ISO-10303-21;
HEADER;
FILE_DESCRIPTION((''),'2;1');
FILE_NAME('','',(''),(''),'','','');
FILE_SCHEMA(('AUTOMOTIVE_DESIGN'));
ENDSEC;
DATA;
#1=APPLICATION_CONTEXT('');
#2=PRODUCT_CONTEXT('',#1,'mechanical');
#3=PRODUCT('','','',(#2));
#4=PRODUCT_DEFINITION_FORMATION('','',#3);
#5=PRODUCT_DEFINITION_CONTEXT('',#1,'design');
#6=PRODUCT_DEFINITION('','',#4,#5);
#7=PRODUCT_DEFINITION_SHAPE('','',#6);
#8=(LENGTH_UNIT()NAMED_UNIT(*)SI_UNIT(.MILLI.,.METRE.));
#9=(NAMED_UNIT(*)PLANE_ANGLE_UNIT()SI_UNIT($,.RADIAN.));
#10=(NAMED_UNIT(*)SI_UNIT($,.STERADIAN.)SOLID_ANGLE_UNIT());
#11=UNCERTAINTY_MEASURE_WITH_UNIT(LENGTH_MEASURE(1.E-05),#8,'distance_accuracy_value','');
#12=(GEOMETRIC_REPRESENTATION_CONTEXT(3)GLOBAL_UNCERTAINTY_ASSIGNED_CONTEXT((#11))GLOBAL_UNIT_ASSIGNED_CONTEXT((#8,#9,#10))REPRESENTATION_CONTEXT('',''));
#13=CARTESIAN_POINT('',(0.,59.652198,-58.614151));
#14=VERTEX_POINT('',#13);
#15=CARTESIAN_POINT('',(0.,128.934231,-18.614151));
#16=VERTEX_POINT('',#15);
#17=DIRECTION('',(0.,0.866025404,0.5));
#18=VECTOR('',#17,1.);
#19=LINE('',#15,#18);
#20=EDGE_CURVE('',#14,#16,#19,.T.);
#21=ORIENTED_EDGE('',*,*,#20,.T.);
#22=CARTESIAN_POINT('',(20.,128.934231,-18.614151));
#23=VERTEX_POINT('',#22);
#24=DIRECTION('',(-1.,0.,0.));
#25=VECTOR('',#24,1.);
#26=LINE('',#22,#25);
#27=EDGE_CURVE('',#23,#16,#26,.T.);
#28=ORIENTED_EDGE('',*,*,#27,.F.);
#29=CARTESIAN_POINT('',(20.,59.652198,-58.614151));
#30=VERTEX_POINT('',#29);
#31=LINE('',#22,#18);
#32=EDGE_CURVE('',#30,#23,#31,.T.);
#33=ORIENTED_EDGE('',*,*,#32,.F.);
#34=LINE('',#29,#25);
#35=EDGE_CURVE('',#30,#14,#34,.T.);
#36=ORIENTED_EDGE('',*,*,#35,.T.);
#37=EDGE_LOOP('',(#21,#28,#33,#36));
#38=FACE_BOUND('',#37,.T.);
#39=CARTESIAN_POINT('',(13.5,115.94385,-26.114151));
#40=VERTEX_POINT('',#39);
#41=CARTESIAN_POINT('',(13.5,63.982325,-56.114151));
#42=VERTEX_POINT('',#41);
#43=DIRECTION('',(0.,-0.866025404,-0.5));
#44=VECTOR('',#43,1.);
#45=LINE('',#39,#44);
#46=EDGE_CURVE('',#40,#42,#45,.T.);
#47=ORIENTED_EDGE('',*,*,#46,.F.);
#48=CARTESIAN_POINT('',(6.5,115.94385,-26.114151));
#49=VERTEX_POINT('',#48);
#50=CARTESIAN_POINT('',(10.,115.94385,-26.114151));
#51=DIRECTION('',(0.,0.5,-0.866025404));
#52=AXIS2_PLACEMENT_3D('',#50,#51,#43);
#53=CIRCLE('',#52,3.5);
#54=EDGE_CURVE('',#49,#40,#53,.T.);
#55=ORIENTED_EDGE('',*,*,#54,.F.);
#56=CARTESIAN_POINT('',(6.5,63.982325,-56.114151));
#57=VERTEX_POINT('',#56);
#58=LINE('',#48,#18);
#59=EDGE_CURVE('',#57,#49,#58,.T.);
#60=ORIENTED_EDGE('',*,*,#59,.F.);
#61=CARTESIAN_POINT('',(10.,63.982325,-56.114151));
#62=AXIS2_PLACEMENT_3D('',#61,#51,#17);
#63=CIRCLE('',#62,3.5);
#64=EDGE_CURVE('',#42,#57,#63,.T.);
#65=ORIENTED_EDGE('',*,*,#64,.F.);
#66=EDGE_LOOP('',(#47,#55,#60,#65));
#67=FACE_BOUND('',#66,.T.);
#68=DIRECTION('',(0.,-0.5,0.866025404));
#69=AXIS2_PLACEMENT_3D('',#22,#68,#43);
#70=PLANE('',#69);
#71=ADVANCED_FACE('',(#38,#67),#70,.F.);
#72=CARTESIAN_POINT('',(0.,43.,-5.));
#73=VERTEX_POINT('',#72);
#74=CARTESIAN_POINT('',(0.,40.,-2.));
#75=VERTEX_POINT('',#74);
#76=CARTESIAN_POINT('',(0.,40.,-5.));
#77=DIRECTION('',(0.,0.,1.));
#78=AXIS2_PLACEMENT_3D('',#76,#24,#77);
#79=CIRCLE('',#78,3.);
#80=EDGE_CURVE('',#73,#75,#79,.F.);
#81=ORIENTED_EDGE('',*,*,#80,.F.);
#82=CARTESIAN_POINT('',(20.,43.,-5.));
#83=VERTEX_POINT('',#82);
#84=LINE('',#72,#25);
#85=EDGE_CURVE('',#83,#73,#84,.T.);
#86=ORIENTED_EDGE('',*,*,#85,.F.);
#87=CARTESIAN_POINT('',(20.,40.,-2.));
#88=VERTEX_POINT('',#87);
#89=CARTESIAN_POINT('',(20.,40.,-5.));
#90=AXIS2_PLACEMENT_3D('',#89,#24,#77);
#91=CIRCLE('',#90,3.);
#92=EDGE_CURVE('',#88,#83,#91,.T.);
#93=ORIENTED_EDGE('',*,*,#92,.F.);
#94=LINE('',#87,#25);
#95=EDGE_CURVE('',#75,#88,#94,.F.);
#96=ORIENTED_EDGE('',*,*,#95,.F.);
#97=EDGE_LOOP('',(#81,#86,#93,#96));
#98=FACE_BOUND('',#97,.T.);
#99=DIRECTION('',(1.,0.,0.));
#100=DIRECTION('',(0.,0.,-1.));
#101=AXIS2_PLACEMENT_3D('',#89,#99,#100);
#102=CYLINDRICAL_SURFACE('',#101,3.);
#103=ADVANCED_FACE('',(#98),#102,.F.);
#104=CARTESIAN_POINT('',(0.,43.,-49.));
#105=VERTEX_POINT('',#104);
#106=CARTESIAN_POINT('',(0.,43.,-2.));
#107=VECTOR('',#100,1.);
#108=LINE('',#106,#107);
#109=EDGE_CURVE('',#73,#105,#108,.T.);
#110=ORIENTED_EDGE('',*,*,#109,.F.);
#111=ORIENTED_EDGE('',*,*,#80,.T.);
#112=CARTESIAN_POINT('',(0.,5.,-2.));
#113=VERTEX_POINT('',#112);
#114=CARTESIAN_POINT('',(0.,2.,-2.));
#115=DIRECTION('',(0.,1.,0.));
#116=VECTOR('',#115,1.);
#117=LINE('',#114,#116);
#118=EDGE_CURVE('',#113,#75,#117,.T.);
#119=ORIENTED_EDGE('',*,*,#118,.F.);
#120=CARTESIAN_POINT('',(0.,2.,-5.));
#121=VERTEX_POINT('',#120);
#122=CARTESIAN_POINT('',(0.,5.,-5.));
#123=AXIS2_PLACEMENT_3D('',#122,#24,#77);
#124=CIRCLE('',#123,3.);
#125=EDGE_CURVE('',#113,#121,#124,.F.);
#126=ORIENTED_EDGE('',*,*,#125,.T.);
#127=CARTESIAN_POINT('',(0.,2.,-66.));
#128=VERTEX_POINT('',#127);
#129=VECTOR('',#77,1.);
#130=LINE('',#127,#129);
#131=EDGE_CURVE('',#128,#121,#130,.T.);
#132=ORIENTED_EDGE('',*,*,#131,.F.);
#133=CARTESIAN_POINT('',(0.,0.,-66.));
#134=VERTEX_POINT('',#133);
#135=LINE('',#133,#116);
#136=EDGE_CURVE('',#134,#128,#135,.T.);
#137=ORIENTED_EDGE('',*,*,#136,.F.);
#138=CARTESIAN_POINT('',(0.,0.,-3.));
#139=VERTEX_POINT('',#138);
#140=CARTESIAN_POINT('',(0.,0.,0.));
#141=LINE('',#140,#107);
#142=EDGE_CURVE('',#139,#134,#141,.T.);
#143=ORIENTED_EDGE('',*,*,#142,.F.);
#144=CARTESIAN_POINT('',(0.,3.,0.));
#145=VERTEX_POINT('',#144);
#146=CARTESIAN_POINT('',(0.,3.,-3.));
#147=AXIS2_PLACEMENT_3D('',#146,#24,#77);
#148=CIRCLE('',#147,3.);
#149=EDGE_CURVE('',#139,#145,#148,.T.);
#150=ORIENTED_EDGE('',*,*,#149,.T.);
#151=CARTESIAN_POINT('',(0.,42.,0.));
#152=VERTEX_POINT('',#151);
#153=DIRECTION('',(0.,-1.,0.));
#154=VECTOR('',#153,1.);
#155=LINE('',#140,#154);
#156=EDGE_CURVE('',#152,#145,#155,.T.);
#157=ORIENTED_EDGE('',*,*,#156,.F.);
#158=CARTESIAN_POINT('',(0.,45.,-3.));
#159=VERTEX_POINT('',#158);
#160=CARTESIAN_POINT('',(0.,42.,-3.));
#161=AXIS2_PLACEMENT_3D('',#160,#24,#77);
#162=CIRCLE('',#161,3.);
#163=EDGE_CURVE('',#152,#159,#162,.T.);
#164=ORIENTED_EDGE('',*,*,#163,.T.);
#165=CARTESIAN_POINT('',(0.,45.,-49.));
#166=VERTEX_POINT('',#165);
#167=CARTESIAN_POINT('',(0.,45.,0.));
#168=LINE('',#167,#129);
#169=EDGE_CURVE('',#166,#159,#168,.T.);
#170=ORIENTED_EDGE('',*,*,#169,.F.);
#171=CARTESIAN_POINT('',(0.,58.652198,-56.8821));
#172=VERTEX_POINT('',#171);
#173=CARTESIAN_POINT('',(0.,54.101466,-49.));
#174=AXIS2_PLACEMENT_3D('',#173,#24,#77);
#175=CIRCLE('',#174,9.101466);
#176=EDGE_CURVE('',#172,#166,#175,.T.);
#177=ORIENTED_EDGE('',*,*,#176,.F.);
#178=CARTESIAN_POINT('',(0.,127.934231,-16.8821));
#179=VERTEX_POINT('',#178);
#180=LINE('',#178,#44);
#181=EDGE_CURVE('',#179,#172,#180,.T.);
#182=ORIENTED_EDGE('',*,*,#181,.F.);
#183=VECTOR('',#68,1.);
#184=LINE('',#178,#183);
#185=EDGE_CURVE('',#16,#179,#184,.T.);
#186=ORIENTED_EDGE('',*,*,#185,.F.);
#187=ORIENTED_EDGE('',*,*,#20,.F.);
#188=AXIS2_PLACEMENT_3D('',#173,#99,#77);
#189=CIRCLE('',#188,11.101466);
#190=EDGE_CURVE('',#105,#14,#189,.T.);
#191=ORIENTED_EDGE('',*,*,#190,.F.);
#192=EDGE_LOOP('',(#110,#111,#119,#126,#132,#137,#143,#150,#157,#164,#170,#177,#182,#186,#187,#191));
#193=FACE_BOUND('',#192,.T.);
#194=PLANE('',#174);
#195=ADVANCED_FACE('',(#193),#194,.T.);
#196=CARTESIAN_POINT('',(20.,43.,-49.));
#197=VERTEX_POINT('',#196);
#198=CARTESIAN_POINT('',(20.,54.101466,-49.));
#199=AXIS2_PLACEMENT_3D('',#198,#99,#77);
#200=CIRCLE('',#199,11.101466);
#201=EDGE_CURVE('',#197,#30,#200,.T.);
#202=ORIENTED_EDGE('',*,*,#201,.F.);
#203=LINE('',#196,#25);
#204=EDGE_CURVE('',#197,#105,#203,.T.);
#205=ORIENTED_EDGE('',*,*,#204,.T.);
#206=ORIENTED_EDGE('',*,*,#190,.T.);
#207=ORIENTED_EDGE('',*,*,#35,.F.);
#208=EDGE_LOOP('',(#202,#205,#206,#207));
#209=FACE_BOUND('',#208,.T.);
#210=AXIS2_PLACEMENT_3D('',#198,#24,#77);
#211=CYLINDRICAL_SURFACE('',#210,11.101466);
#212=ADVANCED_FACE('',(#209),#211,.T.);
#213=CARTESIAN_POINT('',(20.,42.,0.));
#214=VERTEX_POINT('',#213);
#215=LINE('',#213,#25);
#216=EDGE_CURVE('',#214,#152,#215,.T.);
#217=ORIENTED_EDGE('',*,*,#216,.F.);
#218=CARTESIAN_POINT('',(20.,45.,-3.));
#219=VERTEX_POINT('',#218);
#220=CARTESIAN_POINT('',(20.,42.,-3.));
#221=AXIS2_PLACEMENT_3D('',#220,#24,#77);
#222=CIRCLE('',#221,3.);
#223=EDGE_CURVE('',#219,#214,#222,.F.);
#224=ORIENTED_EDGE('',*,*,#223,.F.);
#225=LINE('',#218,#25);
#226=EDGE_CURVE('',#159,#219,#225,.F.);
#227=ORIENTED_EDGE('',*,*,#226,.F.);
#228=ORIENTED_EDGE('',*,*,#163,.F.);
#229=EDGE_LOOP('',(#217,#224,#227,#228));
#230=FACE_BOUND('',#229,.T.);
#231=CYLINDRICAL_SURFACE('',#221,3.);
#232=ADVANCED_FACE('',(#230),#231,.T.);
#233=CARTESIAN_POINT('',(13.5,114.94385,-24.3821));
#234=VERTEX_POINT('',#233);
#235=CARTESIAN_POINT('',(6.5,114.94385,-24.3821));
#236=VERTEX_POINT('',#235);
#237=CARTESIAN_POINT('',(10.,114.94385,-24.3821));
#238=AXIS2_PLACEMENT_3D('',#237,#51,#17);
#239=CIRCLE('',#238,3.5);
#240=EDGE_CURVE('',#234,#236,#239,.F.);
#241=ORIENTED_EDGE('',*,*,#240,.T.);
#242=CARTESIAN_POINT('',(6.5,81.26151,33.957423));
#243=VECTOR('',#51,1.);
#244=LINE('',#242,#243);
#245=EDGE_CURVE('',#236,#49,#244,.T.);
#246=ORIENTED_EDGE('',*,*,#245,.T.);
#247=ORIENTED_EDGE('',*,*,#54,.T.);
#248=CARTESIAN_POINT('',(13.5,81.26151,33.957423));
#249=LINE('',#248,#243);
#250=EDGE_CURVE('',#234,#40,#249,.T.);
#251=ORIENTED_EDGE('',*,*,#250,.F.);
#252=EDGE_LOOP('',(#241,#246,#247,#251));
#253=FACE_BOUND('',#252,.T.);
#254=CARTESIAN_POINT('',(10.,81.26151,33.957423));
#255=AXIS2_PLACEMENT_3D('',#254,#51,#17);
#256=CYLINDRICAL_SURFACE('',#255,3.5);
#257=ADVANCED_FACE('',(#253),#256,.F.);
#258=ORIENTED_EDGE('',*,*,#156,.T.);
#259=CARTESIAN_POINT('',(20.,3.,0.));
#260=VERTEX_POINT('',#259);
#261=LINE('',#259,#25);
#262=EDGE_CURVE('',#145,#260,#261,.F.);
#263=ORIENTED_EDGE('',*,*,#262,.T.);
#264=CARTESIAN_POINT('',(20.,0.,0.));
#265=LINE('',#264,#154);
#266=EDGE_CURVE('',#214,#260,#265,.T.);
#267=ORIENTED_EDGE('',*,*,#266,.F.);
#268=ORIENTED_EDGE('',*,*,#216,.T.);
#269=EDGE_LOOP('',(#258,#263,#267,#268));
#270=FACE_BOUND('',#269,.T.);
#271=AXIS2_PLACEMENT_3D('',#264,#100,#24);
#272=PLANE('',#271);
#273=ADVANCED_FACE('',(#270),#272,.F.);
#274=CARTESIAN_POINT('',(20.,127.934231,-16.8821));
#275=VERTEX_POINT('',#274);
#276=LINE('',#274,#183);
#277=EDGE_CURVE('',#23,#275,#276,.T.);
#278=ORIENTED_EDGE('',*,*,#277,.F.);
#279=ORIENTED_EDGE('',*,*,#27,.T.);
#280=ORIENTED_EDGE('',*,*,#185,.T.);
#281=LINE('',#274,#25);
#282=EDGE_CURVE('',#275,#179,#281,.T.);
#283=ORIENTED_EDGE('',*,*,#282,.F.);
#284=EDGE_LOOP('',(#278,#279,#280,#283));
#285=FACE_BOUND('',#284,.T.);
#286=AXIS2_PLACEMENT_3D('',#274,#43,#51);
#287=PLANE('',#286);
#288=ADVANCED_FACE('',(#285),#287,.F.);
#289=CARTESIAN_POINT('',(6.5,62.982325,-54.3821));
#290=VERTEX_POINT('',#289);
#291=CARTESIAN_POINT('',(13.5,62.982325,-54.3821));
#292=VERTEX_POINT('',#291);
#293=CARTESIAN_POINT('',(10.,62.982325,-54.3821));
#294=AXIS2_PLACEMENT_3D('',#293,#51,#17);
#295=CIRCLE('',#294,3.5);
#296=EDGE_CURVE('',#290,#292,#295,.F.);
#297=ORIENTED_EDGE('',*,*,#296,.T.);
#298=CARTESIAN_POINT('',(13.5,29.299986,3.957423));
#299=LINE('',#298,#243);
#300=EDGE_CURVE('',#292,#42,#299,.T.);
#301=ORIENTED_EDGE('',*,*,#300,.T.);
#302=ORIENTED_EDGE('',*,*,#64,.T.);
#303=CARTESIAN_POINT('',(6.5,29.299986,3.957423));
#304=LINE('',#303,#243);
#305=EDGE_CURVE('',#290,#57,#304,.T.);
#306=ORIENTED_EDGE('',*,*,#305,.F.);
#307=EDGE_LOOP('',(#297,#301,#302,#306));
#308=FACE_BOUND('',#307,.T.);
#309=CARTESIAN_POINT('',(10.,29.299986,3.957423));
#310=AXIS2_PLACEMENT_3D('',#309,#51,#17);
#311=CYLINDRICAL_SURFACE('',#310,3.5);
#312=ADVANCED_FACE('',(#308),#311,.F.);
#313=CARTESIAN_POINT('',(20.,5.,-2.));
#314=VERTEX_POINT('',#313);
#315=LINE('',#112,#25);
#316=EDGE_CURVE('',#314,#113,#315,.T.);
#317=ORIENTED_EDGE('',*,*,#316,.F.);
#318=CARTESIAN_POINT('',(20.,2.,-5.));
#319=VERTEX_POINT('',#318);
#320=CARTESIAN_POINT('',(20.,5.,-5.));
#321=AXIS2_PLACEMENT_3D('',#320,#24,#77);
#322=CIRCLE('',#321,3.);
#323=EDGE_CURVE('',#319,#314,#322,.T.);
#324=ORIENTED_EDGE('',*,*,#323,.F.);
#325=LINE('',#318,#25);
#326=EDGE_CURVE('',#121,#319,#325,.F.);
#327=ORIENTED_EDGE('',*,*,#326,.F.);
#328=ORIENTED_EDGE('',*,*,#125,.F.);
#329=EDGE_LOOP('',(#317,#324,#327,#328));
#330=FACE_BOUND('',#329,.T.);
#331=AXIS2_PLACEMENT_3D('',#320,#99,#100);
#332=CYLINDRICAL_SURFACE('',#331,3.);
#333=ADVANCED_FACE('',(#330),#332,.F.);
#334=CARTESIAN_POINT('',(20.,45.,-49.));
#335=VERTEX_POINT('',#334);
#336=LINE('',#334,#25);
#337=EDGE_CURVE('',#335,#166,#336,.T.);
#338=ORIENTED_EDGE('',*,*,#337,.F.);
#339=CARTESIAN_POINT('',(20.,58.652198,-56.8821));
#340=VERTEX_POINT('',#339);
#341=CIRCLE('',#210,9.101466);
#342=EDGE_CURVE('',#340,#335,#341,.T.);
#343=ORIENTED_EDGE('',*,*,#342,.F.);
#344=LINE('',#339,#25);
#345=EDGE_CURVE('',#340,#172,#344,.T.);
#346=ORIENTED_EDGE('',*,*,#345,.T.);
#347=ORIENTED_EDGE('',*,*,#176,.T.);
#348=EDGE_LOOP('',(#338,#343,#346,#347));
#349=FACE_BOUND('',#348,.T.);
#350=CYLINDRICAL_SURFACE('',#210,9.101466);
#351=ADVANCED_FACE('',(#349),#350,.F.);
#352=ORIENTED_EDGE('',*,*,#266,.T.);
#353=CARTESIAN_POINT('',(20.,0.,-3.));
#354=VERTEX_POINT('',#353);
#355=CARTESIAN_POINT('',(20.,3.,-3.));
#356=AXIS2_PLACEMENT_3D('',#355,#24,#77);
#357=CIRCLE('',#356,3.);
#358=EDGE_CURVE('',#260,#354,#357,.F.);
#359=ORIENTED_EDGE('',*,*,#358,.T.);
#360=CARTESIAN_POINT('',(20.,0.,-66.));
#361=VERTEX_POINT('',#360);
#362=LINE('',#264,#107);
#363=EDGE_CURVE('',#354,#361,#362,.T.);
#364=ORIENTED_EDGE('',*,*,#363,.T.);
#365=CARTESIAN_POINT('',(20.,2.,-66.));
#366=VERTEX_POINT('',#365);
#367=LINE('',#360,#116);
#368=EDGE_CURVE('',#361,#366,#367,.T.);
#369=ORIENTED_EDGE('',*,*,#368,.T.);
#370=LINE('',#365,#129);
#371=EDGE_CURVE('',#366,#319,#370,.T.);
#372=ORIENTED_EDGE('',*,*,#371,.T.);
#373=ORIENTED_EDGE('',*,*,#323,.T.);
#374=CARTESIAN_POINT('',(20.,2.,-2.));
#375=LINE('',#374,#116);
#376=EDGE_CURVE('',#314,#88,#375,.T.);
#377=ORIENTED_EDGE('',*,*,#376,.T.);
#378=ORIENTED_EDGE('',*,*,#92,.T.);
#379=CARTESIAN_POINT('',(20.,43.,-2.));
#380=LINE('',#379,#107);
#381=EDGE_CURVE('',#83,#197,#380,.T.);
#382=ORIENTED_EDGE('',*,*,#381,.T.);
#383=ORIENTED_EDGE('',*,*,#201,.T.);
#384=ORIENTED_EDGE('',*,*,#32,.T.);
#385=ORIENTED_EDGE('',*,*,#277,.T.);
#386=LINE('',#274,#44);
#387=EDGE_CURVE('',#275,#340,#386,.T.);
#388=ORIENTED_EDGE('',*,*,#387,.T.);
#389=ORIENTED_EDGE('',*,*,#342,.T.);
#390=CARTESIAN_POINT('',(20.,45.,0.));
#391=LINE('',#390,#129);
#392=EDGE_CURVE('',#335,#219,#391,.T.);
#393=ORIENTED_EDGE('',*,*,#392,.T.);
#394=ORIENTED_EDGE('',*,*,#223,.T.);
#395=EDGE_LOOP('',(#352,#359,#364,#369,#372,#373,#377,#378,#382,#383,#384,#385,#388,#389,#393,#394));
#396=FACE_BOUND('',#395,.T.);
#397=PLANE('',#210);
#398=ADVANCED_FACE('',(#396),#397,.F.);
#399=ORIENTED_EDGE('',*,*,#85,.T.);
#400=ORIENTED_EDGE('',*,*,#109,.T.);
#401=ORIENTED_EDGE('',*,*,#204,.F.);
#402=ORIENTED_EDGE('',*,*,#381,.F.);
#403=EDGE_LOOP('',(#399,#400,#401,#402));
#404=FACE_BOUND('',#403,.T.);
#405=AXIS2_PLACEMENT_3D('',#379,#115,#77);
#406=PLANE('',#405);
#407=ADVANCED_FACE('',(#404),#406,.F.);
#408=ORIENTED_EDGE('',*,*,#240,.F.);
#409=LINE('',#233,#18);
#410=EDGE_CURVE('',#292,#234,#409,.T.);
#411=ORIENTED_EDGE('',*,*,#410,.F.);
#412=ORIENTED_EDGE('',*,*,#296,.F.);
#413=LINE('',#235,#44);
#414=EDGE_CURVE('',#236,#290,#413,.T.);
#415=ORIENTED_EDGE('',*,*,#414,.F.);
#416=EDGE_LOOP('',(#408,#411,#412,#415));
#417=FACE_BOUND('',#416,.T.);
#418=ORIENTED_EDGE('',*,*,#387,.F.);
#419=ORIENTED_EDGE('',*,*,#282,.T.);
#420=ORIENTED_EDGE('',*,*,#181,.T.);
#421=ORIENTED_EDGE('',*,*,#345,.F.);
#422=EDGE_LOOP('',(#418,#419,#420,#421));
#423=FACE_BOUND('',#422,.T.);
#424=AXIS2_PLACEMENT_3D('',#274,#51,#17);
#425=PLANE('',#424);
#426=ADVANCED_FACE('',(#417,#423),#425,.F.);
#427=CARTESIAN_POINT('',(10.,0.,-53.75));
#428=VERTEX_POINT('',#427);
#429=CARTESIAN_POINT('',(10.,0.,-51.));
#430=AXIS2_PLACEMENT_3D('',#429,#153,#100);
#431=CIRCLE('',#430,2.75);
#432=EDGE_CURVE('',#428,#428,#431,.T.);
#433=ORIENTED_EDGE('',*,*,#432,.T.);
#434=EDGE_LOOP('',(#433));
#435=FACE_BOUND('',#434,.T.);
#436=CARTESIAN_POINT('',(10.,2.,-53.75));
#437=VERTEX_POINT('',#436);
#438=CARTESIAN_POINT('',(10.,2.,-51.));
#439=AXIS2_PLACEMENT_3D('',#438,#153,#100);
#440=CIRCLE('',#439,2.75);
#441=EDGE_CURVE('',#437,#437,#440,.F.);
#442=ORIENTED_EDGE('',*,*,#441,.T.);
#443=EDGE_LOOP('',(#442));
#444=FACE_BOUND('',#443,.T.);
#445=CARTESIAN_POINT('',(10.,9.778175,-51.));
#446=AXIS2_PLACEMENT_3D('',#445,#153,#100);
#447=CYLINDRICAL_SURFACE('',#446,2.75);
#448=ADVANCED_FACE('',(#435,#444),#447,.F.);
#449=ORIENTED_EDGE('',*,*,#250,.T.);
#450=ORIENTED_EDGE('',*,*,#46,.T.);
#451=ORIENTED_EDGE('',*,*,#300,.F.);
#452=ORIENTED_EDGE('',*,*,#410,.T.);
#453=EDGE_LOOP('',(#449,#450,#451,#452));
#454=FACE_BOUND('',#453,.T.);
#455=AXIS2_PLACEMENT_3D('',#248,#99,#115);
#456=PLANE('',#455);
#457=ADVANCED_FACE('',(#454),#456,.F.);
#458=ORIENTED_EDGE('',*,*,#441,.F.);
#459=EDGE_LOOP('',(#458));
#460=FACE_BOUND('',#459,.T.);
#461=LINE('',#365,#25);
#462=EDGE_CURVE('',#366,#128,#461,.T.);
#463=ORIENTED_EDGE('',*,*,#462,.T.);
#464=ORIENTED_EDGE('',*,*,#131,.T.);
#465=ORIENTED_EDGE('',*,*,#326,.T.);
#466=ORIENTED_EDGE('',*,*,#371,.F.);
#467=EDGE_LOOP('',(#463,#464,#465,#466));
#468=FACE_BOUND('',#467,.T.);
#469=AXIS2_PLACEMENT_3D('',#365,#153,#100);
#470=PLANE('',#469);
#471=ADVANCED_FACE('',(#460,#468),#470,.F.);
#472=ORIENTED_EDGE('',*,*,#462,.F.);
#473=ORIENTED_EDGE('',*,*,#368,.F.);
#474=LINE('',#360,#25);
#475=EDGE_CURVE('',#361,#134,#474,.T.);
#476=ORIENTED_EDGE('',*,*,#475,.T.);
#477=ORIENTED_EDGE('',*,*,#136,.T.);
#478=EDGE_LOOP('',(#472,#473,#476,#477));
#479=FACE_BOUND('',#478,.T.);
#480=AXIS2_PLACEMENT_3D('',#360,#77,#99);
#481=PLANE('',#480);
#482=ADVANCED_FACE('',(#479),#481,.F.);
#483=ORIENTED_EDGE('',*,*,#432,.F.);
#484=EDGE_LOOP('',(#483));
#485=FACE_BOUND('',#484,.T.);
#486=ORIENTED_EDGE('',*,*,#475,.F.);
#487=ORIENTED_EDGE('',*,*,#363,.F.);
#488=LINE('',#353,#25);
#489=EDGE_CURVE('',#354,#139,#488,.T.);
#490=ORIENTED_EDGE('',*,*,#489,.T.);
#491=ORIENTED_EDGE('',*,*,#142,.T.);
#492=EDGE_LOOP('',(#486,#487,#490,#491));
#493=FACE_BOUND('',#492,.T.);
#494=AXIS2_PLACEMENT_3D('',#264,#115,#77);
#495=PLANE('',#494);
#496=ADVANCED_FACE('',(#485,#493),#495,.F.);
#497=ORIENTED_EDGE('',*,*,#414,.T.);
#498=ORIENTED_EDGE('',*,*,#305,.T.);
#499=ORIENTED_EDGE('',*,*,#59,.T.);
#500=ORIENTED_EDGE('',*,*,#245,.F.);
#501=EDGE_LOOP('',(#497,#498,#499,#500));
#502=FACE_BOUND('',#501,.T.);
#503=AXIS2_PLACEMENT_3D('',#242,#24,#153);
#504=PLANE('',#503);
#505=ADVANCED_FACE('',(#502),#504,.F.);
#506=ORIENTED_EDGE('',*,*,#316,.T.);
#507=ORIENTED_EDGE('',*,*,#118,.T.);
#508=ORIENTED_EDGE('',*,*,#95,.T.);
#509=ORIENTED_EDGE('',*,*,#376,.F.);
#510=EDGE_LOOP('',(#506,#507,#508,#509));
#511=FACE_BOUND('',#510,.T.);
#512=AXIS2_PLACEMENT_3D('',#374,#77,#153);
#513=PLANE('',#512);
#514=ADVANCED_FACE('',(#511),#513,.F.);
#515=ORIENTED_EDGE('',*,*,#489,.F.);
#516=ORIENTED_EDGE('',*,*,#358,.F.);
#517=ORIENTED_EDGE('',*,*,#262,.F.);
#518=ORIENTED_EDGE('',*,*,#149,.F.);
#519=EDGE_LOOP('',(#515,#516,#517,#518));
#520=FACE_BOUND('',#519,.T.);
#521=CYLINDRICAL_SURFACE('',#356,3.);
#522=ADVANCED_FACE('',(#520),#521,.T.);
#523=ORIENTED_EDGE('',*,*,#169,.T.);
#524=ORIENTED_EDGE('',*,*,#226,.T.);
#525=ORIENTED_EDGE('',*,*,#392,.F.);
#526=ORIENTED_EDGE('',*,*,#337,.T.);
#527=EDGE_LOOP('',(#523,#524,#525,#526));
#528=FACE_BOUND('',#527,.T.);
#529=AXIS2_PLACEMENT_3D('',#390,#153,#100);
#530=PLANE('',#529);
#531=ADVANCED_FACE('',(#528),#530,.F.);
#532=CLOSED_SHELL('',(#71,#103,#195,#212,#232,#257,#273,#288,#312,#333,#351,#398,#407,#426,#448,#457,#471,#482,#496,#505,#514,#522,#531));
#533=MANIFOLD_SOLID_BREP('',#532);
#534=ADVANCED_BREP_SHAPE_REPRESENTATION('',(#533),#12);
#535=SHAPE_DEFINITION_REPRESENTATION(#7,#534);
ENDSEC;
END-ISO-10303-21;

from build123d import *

# Parameters (mm, degrees)
RESSALTO_EXTRUS_O4_DEPTH = 20
FILETE1_R                = 3
ESBO_O5_R                = 2.75
CORTE_EXTRUS_O1_DEPTH    = 2
CORTE_EXTRUS_O2_DEPTH    = 2


with BuildPart() as part:
    # Esboço4 → Ressalto-extrusão4 (new body)
    with BuildSketch(Plane(origin=(0, 0, 0), x_dir=(0, 0, -1), z_dir=(1, 0, 0))):
        with BuildLine():
            Line((0, 0), (66, 0))
            Line((66, 0), (66, 2))
            Line((66, 2), (2, 2))
            Line((2, 2), (2, 43))
            Line((2, 43), (49, 43))
            ThreePointArc((49, 43), (58.614151216, 48.550732793), (58.614151216, 59.652198378))
            Line((58.614151216, 59.652198378), (18.614151216, 128.93423068))
            Line((18.614151216, 128.93423068), (16.882100408, 127.93423068))
            Line((16.882100408, 127.93423068), (56.882100408, 58.652198378))
            ThreePointArc((56.882100408, 58.652198378), (56.882100408, 49.550732793), (49, 45))
            Line((49, 45), (0, 45))
            Line((0, 45), (0, 0))
        make_face()
    extrude(amount=RESSALTO_EXTRUS_O4_DEPTH)

    # Filete1
    filete1_edges = [part.edges().sort_by_distance(p)[0] for p in [
        (10, 45, 0),
        (10, 43, -2),
        (10, 2, -2),
        (10, 0, 0),
    ]]
    fillet(filete1_edges, radius=FILETE1_R)

    # Esboço5 → Corte-extrusão1 (cut)
    with BuildSketch(Plane.XZ):
        with Locations(Location((10, -51, 0), (0, 0, 270))):
            Circle(ESBO_O5_R)
    extrude(amount=-CORTE_EXTRUS_O1_DEPTH, mode=Mode.SUBTRACT)

    # Esboço6 → Corte-extrusão2 (cut)
    with BuildSketch(Plane(origin=(0, 40.293721582, -69.790773005), x_dir=(-1, 0, 0), z_dir=(0, 0.4999999999999983, -0.8660254037844398))):
        with BuildLine():
            Line((-13.5, 87.353243579), (-13.5, 27.353243579))
            ThreePointArc((-13.5, 27.353243579), (-10, 23.853243579), (-6.5, 27.353243579))
            Line((-6.5, 27.353243579), (-6.5, 87.353243579))
            ThreePointArc((-6.5, 87.353243579), (-10, 90.853243579), (-13.5, 87.353243579))
        make_face()
    extrude(amount=-CORTE_EXTRUS_O2_DEPTH, mode=Mode.SUBTRACT)


solid = part.part
